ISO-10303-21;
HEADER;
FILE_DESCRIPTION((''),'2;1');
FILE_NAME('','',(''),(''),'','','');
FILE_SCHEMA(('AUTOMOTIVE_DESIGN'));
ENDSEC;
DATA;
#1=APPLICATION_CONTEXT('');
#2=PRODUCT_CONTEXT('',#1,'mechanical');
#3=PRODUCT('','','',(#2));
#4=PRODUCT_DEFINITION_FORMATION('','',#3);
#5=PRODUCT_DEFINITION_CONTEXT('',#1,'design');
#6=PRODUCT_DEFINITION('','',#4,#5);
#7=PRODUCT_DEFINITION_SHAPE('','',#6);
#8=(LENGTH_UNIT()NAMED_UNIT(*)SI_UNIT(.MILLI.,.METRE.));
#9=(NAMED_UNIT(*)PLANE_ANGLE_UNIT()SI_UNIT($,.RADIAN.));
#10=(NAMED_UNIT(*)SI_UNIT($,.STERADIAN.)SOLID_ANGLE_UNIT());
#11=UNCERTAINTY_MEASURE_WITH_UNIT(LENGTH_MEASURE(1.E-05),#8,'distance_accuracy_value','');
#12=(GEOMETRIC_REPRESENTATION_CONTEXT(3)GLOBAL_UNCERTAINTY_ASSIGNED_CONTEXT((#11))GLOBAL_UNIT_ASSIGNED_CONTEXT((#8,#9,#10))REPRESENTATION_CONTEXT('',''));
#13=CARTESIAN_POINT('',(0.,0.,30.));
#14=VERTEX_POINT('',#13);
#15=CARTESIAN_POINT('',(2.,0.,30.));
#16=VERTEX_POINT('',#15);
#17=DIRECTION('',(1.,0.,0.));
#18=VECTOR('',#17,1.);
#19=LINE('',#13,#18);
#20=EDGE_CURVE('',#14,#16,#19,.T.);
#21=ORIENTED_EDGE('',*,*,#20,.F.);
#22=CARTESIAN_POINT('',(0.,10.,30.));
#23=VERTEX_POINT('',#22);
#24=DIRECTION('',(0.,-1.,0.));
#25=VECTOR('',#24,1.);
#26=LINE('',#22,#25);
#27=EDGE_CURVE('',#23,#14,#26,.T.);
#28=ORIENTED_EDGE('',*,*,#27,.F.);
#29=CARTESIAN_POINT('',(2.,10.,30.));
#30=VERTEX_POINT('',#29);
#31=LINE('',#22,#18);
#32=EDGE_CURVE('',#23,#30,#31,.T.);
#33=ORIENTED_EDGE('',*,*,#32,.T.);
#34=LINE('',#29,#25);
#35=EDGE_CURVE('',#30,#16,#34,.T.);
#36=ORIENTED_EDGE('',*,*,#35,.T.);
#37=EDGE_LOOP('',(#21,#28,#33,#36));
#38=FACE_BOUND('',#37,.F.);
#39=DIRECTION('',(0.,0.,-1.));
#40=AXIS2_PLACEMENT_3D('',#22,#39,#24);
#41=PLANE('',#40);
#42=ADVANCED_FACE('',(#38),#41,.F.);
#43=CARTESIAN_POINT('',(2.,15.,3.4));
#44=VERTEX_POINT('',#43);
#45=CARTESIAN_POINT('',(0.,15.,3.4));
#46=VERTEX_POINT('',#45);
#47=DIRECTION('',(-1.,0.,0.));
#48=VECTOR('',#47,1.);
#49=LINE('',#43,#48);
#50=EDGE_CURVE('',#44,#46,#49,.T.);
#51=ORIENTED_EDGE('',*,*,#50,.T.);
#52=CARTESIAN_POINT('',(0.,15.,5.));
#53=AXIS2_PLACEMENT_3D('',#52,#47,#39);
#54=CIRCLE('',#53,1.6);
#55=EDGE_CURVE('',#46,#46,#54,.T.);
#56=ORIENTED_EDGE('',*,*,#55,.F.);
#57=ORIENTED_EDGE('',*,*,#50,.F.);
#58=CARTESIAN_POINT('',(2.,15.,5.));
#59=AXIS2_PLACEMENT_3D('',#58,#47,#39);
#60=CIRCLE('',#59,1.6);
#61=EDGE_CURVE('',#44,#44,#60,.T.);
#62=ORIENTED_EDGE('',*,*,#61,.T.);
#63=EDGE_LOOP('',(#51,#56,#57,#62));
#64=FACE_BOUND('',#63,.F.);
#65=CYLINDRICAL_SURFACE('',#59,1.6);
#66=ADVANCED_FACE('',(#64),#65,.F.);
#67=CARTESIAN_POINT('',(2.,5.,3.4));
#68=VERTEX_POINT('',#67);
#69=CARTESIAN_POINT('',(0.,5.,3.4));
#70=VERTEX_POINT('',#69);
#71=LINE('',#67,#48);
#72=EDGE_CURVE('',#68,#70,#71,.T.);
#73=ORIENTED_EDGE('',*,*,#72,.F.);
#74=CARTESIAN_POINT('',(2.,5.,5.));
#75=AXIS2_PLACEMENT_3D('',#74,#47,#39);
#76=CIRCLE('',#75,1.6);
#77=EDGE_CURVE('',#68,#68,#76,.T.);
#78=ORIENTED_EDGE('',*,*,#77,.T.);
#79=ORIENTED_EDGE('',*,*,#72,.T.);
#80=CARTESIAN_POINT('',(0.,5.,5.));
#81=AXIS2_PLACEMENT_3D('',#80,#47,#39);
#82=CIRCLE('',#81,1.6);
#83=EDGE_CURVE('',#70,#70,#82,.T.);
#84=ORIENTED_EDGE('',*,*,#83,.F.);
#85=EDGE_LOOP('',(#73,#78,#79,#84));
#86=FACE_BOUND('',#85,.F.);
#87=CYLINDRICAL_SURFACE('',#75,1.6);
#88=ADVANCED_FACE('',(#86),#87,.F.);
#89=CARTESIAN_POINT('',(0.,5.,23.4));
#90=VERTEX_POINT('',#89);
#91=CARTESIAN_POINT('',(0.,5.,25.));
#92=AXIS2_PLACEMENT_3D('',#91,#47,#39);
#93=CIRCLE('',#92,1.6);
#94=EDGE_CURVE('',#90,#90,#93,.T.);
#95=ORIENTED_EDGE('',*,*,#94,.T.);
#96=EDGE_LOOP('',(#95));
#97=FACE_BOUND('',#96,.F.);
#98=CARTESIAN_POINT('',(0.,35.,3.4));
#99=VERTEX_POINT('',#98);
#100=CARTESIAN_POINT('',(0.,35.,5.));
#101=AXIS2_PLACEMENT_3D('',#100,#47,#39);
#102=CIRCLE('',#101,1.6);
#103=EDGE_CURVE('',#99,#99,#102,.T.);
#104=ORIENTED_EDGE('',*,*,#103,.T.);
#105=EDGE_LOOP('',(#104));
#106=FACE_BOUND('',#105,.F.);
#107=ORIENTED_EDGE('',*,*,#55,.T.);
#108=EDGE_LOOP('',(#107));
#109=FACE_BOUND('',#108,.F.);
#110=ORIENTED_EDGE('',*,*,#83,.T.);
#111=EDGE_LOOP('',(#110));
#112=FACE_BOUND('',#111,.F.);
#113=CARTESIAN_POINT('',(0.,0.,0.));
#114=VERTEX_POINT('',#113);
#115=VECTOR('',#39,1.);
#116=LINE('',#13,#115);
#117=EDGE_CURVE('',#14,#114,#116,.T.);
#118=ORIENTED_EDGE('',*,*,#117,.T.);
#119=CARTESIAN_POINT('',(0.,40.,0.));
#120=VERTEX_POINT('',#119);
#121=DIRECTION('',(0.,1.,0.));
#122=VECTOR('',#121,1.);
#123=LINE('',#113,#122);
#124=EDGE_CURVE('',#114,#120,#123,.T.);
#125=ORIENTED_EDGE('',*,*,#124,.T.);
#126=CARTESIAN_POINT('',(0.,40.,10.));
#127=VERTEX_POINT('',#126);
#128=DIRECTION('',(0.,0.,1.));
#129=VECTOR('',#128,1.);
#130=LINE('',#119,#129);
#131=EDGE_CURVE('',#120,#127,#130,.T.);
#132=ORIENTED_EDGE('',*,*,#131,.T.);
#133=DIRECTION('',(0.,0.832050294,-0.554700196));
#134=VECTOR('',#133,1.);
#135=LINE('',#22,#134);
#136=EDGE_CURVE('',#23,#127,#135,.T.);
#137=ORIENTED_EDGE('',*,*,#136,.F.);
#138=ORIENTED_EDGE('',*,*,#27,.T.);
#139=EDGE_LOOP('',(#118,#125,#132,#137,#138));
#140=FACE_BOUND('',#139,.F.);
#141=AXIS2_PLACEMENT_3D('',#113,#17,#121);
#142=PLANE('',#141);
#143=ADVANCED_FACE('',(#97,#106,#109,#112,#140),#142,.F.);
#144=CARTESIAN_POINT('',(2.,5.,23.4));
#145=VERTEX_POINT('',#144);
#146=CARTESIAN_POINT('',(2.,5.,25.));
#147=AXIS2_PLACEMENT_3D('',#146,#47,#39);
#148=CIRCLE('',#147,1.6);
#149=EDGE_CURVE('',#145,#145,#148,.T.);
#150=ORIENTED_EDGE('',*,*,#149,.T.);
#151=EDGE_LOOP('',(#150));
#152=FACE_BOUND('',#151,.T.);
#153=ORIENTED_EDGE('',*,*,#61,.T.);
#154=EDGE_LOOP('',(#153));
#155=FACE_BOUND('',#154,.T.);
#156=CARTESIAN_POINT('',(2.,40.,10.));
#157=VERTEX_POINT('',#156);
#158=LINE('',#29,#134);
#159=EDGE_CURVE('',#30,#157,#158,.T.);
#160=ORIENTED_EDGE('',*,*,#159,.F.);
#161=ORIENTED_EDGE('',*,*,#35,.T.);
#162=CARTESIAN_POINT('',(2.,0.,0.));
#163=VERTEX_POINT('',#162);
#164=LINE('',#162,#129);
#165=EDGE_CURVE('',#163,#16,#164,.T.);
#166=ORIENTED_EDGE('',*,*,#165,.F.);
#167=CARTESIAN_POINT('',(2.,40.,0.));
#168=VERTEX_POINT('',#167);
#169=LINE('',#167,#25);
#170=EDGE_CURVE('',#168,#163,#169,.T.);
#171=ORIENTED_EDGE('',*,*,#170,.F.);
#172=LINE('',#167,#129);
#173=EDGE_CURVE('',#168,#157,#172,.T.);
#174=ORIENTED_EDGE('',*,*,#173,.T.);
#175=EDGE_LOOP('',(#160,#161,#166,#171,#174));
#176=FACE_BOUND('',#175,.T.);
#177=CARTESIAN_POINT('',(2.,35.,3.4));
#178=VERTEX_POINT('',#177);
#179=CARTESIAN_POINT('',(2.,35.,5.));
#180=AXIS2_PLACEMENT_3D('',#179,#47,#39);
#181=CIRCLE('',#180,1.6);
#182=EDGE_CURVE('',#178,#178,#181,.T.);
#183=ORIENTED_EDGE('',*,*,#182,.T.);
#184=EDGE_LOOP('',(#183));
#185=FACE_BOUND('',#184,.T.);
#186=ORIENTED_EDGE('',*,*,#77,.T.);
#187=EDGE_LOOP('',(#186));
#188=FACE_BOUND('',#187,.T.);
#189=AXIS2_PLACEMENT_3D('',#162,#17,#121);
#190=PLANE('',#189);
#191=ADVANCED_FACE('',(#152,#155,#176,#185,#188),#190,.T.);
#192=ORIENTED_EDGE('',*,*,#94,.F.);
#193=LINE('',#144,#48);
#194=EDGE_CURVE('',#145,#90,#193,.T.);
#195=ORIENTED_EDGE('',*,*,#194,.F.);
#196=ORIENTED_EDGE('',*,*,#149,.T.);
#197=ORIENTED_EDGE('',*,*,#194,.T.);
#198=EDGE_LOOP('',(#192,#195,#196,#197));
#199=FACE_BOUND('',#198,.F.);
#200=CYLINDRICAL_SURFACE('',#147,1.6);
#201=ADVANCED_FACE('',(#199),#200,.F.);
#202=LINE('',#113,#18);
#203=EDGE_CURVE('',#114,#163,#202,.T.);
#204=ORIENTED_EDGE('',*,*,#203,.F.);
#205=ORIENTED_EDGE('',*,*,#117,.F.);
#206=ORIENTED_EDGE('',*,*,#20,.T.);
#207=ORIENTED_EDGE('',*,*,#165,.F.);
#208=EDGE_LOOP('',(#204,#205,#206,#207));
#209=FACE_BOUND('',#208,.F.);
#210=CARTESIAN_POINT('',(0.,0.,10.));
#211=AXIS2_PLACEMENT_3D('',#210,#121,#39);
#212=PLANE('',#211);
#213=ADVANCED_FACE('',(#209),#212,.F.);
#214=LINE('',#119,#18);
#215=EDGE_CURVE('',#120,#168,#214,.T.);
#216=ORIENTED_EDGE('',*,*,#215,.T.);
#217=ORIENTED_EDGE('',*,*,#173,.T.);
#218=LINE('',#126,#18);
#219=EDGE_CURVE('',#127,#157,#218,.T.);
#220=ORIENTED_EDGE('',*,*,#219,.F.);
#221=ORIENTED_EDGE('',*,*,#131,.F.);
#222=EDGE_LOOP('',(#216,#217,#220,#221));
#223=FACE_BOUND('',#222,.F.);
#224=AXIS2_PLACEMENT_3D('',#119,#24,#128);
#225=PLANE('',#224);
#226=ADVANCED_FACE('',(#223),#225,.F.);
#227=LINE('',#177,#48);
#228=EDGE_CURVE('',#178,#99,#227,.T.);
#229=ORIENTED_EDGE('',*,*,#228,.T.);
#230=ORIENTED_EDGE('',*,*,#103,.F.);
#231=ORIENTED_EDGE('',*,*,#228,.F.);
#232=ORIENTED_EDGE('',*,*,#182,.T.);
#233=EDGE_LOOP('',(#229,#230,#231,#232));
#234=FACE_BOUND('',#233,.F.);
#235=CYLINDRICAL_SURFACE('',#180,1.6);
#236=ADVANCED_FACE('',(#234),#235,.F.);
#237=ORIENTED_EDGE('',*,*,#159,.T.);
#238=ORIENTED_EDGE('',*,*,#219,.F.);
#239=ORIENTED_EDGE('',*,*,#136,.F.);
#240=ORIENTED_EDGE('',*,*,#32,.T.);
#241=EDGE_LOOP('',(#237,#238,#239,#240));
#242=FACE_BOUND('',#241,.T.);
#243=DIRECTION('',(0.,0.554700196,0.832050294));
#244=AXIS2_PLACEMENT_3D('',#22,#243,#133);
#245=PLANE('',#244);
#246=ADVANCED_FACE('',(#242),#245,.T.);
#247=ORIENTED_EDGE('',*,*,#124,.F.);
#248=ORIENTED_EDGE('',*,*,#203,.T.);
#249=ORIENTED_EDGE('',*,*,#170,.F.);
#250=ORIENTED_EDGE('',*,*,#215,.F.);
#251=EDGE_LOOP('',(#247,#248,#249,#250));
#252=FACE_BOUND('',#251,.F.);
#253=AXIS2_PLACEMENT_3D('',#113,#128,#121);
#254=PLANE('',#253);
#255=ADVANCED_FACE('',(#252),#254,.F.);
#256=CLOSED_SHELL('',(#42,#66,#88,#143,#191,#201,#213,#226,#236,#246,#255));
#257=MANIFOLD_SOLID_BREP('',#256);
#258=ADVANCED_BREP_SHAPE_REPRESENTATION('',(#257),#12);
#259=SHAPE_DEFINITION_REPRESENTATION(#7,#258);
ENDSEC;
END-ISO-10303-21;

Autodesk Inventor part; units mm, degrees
ref_plane "YZ Plane" through (0, 0, 0) normal (1, 0, 0) x (0, 1, 0)
ref_plane "XZ Plane" through (0, 0, 0) normal (0, 1, 0) x (-1, 0, 0)
ref_plane "XY Plane" through (0, 0, 0) normal (0, 0, 1) x (1, 0, 0)
sketch "スケッチ1" plane through (0, 0, 0) normal (1, 0, 0) x (0, 1, 0)
  line L0 (0, 0) -> (40, 0)
  line L1 (40, 0) -> (40, 10)
  line L2 (40, 10) -> (0, 10) construction
  line L3 (0, 10) -> (0, 0)
  line L4 (0, 0) -> (10, 0)
  line L5 (10, 0) -> (10, 30) construction
  line L6 (10, 30) -> (0, 30)
  line L7 (0, 30) -> (0, 0)
  line L8 (10, 30) -> (40, 10)
  dimension "d0" = 10
  dimension "d1" = 10
  dimension "d2" = 30
  dimension "d3" = 30
extrude "押し出し1" add sketch "スケッチ1" along normal blind 2
sketch "スケッチ2" plane through (2, 0, 0) normal (1, 0, 0) x (0, 0, -1)
  line L0 (-30, 10) -> (-30, 0) projected
  line L1 (-30, 5) -> (0, 5) construction
  line L2 (0, 0) -> (0, 40) projected
  line L3 (0, 40) -> (-10, 40) projected
  line L4 (-5, 40) -> (-5, 0) construction
  line L5 (-30, 0) -> (0, 0) projected
  point P0 (-25, 5)
  point P1 (-5, 5)
  point P2 (-5, 15)
  point P3 (-5, 35)
  dimension "d6" = 20
  dimension "d7" = 5
  dimension "d8" = 20
  dimension "d9" = 5
hole "穴1" at (2, 5, 25) at (2, 5, 5) at (2, 15, 5) at (2, 35, 5) direction (-1, 0, 0) diameter 3.2 end through all
properties part number "FrameJoint1010" material "アルミニウム 6061"
